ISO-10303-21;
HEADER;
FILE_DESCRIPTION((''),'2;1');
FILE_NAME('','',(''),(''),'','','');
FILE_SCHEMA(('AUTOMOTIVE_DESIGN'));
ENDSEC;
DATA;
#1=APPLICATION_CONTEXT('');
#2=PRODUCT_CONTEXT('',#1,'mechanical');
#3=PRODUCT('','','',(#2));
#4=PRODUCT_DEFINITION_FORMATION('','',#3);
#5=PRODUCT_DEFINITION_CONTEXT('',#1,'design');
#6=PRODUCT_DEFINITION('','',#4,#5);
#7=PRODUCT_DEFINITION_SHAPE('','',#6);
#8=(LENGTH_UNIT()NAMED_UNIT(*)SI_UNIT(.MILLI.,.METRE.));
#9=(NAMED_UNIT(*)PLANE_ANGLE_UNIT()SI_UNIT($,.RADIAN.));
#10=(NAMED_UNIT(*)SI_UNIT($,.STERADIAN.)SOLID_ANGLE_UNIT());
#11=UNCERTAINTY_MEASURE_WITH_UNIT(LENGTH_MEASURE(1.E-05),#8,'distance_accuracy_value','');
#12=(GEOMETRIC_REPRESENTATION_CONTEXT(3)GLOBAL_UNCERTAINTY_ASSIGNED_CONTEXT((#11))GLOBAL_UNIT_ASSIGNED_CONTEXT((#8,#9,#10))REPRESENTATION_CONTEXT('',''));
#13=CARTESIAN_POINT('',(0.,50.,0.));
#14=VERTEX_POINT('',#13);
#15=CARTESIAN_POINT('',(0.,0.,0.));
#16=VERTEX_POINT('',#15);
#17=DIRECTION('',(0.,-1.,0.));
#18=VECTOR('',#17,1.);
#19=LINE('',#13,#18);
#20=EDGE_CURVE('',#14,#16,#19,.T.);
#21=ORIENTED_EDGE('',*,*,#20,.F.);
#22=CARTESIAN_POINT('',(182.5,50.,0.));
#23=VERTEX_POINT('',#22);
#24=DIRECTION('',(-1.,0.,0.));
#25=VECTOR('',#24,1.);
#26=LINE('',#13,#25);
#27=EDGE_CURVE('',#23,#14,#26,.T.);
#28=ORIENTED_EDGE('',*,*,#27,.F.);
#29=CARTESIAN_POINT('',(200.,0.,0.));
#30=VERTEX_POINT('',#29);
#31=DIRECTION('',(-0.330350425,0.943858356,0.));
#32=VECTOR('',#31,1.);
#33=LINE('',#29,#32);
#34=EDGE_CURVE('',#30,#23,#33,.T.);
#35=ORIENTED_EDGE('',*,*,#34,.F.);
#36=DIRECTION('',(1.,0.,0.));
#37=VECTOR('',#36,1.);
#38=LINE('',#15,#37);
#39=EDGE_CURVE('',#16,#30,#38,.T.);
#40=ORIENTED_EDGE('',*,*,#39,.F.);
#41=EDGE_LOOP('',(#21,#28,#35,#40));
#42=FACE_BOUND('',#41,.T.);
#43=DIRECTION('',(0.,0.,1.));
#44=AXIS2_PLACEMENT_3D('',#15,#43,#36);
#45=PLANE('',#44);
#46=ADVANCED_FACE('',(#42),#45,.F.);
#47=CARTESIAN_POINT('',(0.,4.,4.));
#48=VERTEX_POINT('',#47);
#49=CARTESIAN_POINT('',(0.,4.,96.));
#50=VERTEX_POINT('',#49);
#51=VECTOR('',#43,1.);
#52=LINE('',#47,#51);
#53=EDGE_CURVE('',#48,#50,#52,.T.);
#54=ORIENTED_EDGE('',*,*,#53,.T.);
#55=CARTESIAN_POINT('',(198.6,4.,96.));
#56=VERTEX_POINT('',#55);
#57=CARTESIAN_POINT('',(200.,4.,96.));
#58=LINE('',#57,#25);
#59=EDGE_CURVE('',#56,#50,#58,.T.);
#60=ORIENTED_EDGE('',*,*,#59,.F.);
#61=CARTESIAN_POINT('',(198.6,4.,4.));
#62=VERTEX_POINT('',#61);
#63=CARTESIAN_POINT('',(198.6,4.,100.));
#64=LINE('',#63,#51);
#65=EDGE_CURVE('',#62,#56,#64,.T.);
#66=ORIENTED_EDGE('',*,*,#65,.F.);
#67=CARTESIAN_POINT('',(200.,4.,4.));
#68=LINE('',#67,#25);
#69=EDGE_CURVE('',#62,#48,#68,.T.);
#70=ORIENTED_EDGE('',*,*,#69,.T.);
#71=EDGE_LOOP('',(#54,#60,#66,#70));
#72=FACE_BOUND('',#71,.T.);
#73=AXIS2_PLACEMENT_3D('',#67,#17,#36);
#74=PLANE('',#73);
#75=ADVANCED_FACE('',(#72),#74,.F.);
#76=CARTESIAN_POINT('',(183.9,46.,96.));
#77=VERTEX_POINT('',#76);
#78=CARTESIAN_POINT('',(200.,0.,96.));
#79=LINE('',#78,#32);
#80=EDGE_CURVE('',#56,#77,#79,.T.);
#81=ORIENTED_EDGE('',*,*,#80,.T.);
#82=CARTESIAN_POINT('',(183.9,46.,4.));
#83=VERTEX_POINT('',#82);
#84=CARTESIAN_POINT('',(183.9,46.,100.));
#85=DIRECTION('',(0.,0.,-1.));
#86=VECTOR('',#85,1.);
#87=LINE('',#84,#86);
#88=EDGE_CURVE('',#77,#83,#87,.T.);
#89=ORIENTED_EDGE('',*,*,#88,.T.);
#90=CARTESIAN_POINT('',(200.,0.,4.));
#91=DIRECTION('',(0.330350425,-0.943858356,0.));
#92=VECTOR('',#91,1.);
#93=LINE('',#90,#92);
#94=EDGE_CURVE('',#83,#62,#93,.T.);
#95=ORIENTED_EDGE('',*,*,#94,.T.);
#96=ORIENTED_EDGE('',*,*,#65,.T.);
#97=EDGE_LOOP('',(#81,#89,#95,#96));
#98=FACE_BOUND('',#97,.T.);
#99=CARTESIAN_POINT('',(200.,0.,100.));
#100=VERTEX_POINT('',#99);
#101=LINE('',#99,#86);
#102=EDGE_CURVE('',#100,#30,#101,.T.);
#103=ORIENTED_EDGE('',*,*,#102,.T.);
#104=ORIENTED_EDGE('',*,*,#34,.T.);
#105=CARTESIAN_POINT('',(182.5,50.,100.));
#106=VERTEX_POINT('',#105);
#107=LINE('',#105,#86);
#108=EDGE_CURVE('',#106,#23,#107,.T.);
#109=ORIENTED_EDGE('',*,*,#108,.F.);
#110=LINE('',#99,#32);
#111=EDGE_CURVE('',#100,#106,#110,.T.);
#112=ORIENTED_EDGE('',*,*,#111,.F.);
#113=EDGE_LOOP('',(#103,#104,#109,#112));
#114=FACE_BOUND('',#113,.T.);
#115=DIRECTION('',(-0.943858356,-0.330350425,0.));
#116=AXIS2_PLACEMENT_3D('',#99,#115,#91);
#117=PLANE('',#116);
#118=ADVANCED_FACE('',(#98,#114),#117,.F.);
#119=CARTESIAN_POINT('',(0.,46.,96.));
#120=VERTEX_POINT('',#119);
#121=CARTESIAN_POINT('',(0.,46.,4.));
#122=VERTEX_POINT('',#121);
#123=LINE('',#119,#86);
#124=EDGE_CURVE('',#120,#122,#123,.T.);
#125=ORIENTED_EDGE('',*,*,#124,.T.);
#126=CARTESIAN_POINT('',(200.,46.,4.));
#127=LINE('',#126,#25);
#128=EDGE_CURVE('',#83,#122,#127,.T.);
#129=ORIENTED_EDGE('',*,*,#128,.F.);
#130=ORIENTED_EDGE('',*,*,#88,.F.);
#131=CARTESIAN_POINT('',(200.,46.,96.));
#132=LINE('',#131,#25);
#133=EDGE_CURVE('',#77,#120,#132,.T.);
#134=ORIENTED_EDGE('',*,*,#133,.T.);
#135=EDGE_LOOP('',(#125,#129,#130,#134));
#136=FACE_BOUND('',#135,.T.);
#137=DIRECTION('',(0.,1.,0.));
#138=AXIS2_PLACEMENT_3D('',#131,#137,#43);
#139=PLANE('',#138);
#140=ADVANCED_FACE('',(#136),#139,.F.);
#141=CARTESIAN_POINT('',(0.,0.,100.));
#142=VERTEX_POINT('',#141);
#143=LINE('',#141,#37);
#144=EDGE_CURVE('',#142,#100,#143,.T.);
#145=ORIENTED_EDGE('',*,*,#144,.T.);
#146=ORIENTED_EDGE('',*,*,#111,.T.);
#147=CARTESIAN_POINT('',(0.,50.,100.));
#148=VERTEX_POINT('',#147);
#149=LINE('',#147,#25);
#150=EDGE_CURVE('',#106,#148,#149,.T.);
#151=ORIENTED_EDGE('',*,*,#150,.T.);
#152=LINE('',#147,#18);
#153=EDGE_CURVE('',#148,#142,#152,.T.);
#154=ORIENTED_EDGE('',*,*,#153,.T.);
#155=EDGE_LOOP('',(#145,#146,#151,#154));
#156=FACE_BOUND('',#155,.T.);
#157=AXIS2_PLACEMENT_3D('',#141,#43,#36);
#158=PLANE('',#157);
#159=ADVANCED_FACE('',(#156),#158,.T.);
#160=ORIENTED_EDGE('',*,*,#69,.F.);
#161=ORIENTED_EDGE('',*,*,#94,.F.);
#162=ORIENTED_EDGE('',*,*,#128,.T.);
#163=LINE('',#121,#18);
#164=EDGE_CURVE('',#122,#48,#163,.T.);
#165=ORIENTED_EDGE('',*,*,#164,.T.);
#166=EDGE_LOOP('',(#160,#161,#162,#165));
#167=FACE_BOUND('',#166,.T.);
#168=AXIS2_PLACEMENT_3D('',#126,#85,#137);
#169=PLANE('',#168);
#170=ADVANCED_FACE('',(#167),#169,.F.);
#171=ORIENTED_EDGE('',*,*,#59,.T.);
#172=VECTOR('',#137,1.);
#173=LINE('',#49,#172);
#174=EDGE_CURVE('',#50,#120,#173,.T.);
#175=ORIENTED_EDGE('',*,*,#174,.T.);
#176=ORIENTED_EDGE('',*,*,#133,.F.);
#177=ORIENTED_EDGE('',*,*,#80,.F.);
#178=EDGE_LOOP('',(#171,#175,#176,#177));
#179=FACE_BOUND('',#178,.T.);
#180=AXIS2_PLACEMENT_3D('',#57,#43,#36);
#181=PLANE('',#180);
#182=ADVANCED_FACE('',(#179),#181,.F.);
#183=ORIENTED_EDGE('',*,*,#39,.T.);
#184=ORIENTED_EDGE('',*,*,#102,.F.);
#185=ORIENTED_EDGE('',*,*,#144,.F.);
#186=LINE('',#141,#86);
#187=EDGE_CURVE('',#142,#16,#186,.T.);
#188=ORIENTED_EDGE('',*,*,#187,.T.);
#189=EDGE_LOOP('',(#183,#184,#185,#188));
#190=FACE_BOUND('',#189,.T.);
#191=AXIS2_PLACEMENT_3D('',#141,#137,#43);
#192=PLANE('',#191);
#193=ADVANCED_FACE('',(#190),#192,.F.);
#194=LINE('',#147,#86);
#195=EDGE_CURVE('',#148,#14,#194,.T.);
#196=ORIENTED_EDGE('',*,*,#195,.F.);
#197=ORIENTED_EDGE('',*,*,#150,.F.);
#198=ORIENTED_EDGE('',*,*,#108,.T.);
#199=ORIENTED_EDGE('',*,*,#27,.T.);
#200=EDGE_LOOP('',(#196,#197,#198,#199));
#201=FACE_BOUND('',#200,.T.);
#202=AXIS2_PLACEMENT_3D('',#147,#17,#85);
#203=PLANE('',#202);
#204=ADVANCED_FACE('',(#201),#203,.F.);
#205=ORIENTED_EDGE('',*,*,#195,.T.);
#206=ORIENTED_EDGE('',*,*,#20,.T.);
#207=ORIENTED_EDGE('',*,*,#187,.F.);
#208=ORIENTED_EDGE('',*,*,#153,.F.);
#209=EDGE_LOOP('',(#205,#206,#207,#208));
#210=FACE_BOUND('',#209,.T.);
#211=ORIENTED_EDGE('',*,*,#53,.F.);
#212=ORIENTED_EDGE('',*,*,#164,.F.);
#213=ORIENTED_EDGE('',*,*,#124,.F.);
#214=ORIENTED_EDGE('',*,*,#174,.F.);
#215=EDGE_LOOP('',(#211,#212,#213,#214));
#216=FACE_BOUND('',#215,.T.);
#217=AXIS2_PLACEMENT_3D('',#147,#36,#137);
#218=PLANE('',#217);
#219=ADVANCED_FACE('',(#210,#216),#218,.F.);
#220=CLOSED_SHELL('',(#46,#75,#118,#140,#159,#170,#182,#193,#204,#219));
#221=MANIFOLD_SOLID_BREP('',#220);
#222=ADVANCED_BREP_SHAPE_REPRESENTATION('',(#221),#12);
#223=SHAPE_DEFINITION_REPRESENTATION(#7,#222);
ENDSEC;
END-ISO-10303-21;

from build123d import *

# Parameters (mm, degrees)
DODANIE_WYCI_GNI_CIE1_DEPTH = 100
SZKIC2_W                    = 92
SZKIC2_H                    = 42
WYTNIJ_WYCI_GNI_CIE1_DEPTH  = 200


with BuildPart() as part:
    # Szkic1 → Dodanie-wyciągnięcie1 (new body)
    with BuildSketch(Plane.XY):
        Polygon((0, 0), (200, 0), (182.5, 50), (0, 50), align=None)
    extrude(amount=DODANIE_WYCI_GNI_CIE1_DEPTH)

    # Szkic2 → Wytnij-wyciągnięcie1 (cut)
    with BuildSketch(Plane.ZY):
        with Locations((50, 25)):
            Rectangle(SZKIC2_W, SZKIC2_H)
    extrude(amount=-WYTNIJ_WYCI_GNI_CIE1_DEPTH, mode=Mode.SUBTRACT)


solid = part.part
